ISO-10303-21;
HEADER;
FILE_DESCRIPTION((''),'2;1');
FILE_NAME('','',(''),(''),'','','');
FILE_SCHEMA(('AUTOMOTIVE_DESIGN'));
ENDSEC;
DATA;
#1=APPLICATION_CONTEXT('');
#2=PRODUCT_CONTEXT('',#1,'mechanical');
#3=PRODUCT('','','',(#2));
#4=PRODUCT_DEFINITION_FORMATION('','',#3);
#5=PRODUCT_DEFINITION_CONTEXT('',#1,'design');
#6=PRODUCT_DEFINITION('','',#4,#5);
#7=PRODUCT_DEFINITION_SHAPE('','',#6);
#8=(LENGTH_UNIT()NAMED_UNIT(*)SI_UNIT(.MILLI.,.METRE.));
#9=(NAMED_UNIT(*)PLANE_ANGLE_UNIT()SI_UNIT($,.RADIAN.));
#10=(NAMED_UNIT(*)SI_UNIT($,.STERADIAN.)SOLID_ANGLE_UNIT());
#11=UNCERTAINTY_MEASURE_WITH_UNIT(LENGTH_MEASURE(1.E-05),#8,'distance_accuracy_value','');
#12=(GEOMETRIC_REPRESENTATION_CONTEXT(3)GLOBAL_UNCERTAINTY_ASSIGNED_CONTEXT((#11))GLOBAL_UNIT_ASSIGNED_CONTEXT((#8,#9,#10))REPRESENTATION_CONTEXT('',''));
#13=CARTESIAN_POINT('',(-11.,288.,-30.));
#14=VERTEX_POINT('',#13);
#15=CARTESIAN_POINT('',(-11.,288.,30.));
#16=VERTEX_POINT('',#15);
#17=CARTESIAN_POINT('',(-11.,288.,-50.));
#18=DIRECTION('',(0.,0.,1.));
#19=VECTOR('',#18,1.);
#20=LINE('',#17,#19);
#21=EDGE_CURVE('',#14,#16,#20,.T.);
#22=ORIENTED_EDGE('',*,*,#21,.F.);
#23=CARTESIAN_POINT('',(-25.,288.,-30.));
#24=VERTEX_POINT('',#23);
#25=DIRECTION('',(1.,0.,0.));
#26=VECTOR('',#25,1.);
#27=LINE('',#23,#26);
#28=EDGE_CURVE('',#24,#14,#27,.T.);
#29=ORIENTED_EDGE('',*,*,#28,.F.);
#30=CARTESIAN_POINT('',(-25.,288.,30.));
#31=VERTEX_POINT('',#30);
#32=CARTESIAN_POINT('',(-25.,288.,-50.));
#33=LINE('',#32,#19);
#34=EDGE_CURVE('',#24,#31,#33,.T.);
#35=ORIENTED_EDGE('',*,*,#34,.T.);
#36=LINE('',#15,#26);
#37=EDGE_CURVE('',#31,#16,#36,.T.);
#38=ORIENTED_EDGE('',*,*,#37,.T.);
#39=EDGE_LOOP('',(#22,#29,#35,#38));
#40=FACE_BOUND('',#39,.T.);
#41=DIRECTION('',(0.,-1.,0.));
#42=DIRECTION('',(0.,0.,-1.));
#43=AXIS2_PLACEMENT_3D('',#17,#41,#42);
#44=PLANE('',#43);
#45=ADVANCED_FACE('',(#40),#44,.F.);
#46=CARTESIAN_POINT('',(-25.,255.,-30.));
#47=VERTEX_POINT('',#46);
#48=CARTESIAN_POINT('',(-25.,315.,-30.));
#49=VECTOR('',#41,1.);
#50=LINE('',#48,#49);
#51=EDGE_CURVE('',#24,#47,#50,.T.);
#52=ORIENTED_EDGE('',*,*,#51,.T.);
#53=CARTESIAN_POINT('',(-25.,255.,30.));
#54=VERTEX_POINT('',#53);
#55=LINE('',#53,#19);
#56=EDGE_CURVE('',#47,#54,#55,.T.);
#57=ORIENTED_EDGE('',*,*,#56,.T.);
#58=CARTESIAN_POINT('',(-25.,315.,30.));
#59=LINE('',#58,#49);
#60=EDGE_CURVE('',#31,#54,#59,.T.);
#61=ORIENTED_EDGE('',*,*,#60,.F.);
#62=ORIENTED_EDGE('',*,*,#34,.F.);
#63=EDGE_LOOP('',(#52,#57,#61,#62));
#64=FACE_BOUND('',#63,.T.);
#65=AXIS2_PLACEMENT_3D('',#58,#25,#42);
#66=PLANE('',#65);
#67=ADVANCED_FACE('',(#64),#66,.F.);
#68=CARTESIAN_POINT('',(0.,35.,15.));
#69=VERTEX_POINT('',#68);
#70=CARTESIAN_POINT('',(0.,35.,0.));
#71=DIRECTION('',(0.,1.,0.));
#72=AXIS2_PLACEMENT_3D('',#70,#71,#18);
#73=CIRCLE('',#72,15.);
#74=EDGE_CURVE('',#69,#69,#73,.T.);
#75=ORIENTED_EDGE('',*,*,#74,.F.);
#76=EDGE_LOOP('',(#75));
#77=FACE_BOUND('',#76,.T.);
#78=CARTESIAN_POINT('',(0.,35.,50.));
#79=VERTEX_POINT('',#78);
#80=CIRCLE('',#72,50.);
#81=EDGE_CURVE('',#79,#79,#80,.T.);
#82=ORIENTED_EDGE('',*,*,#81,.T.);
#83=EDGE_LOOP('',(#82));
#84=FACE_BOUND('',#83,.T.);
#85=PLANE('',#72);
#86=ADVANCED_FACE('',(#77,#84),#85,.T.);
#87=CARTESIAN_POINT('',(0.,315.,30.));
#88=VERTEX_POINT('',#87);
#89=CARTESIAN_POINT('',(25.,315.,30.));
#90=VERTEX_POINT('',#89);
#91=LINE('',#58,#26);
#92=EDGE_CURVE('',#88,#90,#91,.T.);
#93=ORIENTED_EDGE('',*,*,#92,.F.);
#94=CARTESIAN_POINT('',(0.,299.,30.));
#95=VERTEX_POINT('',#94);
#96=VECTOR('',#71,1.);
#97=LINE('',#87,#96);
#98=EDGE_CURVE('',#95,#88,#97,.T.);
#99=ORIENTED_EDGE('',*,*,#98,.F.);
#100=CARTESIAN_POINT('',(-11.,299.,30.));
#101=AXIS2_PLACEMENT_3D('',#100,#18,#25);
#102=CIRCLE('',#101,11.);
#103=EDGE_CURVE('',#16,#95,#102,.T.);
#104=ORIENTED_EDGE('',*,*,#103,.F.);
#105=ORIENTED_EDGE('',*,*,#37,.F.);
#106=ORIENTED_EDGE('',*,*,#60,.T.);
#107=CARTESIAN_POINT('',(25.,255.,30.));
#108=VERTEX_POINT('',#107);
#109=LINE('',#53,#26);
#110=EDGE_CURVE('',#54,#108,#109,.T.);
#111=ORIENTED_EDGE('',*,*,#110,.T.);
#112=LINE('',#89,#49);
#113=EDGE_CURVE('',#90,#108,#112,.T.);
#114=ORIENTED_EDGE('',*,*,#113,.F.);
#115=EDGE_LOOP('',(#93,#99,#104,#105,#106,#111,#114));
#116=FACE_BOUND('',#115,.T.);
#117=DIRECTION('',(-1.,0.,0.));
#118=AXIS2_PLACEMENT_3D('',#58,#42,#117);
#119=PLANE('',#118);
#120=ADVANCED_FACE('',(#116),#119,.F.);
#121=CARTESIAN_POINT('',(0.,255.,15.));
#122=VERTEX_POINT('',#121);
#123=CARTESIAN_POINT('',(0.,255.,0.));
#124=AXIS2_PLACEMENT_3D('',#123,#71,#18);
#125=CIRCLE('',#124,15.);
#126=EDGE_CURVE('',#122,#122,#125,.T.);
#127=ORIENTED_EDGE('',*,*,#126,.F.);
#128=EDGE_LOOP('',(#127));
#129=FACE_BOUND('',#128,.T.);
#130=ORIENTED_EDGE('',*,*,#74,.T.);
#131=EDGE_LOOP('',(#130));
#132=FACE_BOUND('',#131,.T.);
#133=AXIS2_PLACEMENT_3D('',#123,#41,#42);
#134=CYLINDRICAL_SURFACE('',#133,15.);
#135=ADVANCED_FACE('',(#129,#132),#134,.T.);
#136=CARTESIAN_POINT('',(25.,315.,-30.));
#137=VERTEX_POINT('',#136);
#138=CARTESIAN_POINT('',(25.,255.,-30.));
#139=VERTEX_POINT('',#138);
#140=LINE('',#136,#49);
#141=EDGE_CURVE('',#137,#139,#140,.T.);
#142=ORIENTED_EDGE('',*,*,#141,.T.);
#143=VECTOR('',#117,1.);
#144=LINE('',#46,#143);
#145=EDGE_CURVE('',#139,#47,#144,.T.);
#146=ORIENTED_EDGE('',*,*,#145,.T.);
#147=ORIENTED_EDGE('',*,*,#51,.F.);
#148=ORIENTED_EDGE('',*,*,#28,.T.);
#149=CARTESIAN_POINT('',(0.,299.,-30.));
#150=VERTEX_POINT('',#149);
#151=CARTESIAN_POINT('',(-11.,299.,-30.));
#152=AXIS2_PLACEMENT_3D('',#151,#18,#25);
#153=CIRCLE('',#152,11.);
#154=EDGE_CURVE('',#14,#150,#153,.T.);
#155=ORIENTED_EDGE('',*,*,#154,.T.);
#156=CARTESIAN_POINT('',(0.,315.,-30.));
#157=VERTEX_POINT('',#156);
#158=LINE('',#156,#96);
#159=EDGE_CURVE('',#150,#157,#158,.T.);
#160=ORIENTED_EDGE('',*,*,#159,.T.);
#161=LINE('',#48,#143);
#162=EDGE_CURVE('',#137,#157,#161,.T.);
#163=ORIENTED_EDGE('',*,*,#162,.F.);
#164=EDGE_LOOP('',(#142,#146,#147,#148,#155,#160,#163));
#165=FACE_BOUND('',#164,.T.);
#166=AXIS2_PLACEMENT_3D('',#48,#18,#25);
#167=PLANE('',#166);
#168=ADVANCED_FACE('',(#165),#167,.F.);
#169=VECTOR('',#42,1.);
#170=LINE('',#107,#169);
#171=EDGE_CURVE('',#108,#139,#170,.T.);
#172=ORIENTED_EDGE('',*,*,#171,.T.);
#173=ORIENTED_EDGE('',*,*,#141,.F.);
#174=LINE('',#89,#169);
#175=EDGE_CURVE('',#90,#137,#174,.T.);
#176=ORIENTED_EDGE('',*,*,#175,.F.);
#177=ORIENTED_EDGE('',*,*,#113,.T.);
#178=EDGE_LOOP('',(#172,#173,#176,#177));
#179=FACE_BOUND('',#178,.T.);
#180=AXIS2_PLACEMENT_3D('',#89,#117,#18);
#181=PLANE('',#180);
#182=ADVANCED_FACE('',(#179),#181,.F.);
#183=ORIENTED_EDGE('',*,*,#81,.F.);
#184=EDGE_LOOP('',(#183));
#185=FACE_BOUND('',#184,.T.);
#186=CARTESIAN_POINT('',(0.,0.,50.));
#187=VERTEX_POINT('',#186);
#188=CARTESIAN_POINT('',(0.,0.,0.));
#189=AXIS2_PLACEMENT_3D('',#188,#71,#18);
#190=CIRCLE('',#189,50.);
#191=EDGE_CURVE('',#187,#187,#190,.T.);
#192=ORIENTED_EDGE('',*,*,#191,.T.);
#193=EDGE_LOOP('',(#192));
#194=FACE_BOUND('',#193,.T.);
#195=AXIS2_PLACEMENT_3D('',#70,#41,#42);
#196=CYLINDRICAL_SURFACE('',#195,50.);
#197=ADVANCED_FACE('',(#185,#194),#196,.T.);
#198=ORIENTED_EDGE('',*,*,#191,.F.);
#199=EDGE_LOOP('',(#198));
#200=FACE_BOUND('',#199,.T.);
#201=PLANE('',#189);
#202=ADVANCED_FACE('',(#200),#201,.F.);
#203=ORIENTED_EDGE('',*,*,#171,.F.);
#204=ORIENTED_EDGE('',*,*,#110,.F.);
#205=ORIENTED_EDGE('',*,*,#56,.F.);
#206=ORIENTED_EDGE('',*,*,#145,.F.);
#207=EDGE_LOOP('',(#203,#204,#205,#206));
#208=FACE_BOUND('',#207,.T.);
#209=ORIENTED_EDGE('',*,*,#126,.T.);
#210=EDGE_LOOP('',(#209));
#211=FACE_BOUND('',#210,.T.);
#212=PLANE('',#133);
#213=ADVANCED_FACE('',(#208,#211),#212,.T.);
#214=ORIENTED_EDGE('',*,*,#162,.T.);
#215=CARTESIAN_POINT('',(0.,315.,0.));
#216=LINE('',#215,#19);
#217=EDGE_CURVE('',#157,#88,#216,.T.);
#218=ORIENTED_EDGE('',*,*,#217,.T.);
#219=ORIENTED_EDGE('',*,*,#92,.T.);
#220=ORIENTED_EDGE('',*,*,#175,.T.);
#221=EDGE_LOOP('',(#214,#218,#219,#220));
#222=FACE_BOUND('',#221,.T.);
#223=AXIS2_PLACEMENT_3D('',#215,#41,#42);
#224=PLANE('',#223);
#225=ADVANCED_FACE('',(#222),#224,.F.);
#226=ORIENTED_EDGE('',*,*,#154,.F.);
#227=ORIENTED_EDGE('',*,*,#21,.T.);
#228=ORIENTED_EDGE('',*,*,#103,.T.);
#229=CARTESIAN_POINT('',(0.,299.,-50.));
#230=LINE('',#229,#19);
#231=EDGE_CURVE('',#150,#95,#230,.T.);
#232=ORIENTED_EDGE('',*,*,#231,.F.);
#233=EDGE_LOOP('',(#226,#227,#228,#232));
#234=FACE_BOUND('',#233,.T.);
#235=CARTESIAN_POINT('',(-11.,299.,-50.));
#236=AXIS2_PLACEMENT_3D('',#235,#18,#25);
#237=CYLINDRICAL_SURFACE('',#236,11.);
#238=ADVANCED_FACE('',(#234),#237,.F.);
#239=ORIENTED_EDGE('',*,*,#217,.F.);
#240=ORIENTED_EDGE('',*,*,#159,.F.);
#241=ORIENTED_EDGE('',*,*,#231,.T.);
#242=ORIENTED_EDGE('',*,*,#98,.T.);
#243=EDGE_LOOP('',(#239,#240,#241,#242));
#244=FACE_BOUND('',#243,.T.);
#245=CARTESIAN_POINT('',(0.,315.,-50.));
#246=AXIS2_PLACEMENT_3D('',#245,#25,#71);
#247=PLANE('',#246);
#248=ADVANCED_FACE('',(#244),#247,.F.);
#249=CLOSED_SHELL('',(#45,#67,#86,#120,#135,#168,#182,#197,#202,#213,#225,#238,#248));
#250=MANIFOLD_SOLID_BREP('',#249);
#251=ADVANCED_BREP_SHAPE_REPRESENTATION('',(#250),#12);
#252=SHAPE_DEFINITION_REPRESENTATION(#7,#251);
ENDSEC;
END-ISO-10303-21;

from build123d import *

# Parameters (mm, degrees)
SKETCH1_R           = 50
BOSS_EXTRUDE1_DEPTH = 35
SKETCH2_R           = 15
BOSS_EXTRUDE2_DEPTH = 220
SKETCH3_W           = 50
SKETCH3_H           = 60
BOSS_EXTRUDE3_DEPTH = 60
CUT_EXTRUDE1_DEPTH  = 81


with BuildPart() as part:
    # Sketch1 → Boss-Extrude1 (new body)
    with BuildSketch(Plane(origin=(0, 0, 0), x_dir=(1, 0, 0), z_dir=(0, 1, 0))):
        Circle(SKETCH1_R)
    extrude(amount=BOSS_EXTRUDE1_DEPTH)

    # Sketch2 → Boss-Extrude2 (add)
    with BuildSketch(Plane(origin=(0, 35, 0), x_dir=(1, 0, 0), z_dir=(0, 1, 0))):
        Circle(SKETCH2_R)
    extrude(amount=BOSS_EXTRUDE2_DEPTH)

    # Sketch3 → Boss-Extrude3 (add)
    with BuildSketch(Plane(origin=(0, 255, 0), x_dir=(1, 0, 0), z_dir=(0, 1, 0))):
        Rectangle(SKETCH3_W, SKETCH3_H)
    extrude(amount=BOSS_EXTRUDE3_DEPTH)

    # Sketch4 → Cut-Extrude1 (cut, through all)
    with BuildSketch(Plane.XY.offset(30)):
        with BuildLine():
            Line((0, 315), (0, 299))
            ThreePointArc((0, 299), (-3.221825407, 291.221825407), (-11, 288))
            Line((-11, 288), (-25, 288))
            Line((-25, 288), (-25, 315))
            Line((-25, 315), (0, 315))
        make_face()
    extrude(amount=-CUT_EXTRUDE1_DEPTH, mode=Mode.SUBTRACT)


solid = part.part
